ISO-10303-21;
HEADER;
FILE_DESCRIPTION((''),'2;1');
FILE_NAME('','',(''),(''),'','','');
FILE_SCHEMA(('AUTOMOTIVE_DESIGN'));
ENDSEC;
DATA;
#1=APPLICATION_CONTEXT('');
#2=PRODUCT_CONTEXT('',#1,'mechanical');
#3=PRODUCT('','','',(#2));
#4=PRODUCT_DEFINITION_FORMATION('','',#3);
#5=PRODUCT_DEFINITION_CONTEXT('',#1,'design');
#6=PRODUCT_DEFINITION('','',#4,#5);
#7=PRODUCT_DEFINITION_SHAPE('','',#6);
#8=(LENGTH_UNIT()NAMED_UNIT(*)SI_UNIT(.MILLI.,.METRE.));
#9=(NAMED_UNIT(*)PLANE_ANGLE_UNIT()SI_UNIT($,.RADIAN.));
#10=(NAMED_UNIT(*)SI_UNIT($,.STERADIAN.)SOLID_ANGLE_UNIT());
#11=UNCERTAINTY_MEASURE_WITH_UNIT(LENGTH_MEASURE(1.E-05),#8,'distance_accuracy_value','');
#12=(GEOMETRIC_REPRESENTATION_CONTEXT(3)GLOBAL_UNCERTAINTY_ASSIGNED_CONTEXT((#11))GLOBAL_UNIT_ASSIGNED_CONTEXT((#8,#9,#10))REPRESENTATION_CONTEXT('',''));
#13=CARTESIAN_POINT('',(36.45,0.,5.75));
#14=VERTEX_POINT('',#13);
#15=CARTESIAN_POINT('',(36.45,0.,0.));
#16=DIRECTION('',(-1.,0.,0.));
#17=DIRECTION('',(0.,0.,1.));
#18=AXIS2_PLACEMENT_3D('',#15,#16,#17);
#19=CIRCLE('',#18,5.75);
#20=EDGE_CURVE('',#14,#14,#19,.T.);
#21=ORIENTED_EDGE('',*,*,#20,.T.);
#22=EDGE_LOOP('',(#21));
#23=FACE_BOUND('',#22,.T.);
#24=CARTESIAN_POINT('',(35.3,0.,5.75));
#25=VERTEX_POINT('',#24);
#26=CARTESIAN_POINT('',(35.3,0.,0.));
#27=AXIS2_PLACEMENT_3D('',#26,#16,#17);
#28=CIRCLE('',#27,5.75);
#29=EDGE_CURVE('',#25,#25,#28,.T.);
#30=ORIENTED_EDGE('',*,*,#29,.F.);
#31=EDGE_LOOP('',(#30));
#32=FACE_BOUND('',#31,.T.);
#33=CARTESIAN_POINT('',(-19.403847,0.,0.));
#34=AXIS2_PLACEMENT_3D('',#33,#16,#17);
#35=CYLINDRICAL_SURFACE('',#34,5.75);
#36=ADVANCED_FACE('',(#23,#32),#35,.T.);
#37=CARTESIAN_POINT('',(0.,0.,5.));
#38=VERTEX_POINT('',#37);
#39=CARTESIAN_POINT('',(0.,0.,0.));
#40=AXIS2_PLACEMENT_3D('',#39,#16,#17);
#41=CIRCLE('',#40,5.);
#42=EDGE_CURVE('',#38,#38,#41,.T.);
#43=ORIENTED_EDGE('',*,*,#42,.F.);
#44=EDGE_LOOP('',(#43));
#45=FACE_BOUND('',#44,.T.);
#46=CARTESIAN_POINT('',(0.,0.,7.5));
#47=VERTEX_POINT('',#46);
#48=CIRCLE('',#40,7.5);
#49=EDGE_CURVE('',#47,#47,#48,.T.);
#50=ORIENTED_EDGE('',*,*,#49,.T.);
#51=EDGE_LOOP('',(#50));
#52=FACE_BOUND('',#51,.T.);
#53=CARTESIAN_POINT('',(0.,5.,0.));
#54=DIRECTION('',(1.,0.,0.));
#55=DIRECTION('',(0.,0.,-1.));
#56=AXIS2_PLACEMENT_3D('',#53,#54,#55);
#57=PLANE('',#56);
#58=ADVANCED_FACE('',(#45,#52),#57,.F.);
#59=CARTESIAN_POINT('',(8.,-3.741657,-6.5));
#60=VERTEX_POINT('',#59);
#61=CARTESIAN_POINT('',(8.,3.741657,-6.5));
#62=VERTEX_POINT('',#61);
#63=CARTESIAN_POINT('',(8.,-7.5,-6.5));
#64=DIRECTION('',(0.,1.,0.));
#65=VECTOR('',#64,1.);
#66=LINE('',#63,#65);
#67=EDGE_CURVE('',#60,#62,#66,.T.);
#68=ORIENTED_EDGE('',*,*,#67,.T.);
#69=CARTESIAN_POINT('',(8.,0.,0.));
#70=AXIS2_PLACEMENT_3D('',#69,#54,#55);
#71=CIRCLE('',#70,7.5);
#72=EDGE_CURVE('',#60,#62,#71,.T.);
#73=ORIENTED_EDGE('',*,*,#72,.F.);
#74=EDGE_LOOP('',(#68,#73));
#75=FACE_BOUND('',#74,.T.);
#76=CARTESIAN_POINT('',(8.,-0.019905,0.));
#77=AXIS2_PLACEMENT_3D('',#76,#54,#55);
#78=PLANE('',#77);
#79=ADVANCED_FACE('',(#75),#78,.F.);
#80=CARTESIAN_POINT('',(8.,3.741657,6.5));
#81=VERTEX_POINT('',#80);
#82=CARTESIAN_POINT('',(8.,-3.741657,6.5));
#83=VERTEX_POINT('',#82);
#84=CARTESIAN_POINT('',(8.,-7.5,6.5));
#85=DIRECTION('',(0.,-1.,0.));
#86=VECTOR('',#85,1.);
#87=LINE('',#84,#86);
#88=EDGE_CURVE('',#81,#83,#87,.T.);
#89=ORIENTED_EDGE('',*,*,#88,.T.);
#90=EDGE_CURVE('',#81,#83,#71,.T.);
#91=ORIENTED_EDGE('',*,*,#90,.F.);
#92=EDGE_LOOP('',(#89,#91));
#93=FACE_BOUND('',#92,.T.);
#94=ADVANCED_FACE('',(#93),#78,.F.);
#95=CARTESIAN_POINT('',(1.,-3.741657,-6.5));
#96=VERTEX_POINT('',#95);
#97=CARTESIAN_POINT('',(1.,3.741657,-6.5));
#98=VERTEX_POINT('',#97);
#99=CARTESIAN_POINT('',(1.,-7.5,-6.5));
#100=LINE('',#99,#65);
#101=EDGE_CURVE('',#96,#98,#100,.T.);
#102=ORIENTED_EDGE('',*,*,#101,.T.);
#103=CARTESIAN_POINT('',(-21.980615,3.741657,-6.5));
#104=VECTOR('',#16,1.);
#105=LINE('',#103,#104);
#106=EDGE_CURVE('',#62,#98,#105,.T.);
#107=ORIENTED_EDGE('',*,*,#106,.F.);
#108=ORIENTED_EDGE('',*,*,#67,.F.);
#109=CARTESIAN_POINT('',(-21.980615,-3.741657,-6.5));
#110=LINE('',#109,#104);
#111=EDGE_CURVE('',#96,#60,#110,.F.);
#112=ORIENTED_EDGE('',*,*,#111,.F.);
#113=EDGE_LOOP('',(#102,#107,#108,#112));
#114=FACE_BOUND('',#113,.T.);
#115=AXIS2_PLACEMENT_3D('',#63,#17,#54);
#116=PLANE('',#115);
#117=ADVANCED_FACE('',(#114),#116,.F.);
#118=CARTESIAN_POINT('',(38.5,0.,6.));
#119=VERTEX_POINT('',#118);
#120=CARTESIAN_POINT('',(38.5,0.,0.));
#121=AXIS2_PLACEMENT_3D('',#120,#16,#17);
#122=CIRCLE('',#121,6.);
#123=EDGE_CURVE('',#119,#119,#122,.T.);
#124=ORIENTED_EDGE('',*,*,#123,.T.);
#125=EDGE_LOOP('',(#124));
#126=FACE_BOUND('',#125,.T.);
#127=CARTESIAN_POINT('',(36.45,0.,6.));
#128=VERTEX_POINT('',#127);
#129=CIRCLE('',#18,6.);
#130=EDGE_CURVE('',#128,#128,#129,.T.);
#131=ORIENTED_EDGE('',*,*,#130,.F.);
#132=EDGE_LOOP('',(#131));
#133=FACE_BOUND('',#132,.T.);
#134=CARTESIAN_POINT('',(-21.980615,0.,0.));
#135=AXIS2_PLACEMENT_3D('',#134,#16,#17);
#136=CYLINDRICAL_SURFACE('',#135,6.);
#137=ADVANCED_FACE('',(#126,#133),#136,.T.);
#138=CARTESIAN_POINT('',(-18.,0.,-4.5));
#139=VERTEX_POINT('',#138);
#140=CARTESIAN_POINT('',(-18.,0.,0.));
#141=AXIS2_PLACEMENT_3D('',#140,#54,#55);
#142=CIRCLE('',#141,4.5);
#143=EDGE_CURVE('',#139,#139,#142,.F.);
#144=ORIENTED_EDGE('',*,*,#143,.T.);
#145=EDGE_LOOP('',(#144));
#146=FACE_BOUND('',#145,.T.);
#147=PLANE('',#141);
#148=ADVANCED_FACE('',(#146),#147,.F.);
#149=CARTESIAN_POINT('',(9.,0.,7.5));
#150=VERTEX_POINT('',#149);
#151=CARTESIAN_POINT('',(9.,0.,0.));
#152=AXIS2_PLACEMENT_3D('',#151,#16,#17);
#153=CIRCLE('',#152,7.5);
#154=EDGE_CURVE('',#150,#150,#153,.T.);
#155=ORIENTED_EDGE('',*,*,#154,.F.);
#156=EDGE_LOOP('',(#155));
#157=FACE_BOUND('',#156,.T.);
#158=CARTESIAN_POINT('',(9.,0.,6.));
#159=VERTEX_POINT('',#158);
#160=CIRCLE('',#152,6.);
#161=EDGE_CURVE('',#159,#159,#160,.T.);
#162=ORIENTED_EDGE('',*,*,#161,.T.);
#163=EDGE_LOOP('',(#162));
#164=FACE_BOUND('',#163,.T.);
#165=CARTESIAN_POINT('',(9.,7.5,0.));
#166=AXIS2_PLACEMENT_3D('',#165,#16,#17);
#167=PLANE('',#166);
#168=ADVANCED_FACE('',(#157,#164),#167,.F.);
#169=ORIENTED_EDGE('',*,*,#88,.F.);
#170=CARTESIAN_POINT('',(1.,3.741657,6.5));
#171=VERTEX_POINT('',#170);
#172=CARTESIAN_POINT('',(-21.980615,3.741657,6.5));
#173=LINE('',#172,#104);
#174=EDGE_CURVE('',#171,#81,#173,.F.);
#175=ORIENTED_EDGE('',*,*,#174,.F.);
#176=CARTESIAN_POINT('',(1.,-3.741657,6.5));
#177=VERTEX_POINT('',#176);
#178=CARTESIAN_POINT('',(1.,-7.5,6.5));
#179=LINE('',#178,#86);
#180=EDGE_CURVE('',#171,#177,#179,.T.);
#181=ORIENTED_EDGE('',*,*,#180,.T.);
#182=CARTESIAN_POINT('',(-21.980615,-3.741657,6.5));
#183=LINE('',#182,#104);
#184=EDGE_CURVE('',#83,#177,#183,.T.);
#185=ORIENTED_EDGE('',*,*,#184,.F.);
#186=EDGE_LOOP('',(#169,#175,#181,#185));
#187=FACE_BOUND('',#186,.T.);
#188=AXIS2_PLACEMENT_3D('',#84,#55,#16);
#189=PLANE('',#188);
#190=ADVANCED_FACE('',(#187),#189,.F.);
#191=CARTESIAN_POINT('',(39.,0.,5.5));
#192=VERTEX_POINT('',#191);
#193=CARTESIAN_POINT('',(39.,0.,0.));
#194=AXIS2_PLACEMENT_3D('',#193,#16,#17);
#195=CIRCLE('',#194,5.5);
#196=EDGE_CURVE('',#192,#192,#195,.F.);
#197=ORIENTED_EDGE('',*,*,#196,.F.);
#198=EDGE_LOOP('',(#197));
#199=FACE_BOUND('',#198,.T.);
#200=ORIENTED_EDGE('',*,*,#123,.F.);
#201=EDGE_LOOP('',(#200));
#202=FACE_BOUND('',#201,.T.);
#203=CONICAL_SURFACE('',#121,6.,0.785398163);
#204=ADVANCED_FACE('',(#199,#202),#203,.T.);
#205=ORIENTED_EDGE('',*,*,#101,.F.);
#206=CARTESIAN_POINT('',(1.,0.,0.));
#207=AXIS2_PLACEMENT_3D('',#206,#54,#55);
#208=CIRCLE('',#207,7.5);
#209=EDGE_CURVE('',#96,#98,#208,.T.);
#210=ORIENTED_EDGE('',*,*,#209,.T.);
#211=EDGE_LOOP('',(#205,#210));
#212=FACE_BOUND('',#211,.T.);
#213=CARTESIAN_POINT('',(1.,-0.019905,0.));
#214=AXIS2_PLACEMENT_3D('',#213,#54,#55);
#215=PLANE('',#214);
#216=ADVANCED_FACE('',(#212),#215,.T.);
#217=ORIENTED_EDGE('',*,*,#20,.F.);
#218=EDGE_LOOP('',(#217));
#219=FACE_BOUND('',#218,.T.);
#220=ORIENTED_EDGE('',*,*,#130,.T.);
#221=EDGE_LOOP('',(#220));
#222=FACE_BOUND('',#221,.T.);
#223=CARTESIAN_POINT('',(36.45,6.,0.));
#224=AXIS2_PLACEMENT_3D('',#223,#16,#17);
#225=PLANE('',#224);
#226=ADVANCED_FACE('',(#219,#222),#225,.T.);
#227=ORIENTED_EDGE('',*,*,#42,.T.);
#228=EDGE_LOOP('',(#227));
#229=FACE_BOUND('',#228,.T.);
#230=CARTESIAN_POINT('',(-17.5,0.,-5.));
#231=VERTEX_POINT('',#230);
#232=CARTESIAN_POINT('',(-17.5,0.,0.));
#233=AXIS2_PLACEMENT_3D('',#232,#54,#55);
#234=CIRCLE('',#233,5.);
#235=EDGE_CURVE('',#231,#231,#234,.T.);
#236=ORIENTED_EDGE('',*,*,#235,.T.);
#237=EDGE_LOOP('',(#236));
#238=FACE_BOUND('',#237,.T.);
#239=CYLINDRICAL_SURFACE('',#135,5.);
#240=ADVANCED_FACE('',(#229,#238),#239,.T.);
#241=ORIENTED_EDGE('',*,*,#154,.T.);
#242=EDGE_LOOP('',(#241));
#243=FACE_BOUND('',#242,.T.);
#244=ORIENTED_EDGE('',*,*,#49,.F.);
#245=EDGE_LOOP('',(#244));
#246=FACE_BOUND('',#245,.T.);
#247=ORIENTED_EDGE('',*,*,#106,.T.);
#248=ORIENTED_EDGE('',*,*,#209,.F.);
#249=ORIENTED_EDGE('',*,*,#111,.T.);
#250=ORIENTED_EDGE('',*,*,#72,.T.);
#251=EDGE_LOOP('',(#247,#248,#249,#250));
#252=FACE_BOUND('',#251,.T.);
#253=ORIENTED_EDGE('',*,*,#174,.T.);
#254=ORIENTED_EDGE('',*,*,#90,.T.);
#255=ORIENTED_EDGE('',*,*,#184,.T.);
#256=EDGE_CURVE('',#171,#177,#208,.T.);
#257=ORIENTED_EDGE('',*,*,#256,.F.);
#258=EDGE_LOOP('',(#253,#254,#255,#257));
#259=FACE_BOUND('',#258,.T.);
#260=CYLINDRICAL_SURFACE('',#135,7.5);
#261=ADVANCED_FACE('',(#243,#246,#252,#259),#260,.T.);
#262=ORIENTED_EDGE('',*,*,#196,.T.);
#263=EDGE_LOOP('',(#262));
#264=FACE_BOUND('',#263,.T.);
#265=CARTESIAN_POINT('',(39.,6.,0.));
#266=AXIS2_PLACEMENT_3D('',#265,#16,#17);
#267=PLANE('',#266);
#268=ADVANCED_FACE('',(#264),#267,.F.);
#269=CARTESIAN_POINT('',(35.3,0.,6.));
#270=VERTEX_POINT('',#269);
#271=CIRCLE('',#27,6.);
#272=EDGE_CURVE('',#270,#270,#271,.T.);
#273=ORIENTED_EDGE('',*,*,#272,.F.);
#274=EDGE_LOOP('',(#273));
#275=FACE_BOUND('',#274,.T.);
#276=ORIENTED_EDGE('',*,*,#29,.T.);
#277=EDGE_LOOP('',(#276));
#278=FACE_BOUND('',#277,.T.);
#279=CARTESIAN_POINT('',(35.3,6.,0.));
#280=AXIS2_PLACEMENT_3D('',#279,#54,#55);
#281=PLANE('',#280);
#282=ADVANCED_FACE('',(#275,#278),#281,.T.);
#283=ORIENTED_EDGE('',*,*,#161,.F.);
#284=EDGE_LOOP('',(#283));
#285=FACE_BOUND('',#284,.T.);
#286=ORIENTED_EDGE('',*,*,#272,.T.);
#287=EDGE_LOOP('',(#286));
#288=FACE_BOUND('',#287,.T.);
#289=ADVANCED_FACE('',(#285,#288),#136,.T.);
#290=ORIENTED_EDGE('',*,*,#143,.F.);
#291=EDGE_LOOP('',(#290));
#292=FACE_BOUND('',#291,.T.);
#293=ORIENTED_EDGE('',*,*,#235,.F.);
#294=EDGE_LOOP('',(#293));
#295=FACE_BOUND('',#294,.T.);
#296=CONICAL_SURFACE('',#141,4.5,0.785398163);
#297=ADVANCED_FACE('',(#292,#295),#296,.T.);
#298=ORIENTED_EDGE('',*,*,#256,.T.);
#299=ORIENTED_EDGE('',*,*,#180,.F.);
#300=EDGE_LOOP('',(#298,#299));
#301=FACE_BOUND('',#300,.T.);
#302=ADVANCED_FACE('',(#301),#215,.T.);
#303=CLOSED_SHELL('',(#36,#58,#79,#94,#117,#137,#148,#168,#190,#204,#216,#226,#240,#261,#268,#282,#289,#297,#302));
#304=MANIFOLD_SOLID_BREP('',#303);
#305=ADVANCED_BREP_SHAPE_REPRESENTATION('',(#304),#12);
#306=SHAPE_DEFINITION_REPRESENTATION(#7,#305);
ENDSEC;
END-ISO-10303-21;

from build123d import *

# Parameters (mm, degrees)
SKETCH3_W           = 1.15
SKETCH3_H           = 0.25
SKETCH2_OUTSIDE_W   = 29.164
SKETCH2_OUTSIDE_H   = 29.164
SKETCH2_OUTSIDE_W_2 = 13
SKETCH2_OUTSIDE_H_2 = 15
CUT_EXTRUDE1_DEPTH  = 7
CHAMFER1_SIZE       = 0.5


with BuildPart() as part:
    # Sketch1 → Revolve1 (revolve)
    with BuildSketch(Plane.XY):
        Polygon((-18, 0), (-18, 5), (0, 5), (0, 7.5), (9, 7.5), (9, 6), (39, 6), (39, 0), align=None)
    revolve(axis=Axis((-21.980615115, 0, 0), (1, 0, 0)))

    # Sketch3 → Cut-Revolve1 (revolve, cut)
    with BuildSketch(Plane.XY):
        with Locations((35.875, 5.875)):
            Rectangle(SKETCH3_W, SKETCH3_H)
    revolve(axis=Axis((-19.403846942, 0, 0), (1, 0, 0)), mode=Mode.SUBTRACT)

    # Sketch2 outside → Cut-Extrude1 (cut)
    with BuildSketch(Plane(origin=(1, 0, 0), x_dir=(0, 0, -1), z_dir=(1, 0, 0))):
        Rectangle(SKETCH2_OUTSIDE_W, SKETCH2_OUTSIDE_H)
        Rectangle(SKETCH2_OUTSIDE_W_2, SKETCH2_OUTSIDE_H_2, mode=Mode.SUBTRACT)
    extrude(amount=CUT_EXTRUDE1_DEPTH, mode=Mode.SUBTRACT)

    # Chamfer1
    chamfer1_edges = [part.edges().sort_by_distance(p)[0] for p in [
        (39, -6, 0),
        (-18, -5, 0),
    ]]
    chamfer(chamfer1_edges, length=CHAMFER1_SIZE)


solid = part.part
